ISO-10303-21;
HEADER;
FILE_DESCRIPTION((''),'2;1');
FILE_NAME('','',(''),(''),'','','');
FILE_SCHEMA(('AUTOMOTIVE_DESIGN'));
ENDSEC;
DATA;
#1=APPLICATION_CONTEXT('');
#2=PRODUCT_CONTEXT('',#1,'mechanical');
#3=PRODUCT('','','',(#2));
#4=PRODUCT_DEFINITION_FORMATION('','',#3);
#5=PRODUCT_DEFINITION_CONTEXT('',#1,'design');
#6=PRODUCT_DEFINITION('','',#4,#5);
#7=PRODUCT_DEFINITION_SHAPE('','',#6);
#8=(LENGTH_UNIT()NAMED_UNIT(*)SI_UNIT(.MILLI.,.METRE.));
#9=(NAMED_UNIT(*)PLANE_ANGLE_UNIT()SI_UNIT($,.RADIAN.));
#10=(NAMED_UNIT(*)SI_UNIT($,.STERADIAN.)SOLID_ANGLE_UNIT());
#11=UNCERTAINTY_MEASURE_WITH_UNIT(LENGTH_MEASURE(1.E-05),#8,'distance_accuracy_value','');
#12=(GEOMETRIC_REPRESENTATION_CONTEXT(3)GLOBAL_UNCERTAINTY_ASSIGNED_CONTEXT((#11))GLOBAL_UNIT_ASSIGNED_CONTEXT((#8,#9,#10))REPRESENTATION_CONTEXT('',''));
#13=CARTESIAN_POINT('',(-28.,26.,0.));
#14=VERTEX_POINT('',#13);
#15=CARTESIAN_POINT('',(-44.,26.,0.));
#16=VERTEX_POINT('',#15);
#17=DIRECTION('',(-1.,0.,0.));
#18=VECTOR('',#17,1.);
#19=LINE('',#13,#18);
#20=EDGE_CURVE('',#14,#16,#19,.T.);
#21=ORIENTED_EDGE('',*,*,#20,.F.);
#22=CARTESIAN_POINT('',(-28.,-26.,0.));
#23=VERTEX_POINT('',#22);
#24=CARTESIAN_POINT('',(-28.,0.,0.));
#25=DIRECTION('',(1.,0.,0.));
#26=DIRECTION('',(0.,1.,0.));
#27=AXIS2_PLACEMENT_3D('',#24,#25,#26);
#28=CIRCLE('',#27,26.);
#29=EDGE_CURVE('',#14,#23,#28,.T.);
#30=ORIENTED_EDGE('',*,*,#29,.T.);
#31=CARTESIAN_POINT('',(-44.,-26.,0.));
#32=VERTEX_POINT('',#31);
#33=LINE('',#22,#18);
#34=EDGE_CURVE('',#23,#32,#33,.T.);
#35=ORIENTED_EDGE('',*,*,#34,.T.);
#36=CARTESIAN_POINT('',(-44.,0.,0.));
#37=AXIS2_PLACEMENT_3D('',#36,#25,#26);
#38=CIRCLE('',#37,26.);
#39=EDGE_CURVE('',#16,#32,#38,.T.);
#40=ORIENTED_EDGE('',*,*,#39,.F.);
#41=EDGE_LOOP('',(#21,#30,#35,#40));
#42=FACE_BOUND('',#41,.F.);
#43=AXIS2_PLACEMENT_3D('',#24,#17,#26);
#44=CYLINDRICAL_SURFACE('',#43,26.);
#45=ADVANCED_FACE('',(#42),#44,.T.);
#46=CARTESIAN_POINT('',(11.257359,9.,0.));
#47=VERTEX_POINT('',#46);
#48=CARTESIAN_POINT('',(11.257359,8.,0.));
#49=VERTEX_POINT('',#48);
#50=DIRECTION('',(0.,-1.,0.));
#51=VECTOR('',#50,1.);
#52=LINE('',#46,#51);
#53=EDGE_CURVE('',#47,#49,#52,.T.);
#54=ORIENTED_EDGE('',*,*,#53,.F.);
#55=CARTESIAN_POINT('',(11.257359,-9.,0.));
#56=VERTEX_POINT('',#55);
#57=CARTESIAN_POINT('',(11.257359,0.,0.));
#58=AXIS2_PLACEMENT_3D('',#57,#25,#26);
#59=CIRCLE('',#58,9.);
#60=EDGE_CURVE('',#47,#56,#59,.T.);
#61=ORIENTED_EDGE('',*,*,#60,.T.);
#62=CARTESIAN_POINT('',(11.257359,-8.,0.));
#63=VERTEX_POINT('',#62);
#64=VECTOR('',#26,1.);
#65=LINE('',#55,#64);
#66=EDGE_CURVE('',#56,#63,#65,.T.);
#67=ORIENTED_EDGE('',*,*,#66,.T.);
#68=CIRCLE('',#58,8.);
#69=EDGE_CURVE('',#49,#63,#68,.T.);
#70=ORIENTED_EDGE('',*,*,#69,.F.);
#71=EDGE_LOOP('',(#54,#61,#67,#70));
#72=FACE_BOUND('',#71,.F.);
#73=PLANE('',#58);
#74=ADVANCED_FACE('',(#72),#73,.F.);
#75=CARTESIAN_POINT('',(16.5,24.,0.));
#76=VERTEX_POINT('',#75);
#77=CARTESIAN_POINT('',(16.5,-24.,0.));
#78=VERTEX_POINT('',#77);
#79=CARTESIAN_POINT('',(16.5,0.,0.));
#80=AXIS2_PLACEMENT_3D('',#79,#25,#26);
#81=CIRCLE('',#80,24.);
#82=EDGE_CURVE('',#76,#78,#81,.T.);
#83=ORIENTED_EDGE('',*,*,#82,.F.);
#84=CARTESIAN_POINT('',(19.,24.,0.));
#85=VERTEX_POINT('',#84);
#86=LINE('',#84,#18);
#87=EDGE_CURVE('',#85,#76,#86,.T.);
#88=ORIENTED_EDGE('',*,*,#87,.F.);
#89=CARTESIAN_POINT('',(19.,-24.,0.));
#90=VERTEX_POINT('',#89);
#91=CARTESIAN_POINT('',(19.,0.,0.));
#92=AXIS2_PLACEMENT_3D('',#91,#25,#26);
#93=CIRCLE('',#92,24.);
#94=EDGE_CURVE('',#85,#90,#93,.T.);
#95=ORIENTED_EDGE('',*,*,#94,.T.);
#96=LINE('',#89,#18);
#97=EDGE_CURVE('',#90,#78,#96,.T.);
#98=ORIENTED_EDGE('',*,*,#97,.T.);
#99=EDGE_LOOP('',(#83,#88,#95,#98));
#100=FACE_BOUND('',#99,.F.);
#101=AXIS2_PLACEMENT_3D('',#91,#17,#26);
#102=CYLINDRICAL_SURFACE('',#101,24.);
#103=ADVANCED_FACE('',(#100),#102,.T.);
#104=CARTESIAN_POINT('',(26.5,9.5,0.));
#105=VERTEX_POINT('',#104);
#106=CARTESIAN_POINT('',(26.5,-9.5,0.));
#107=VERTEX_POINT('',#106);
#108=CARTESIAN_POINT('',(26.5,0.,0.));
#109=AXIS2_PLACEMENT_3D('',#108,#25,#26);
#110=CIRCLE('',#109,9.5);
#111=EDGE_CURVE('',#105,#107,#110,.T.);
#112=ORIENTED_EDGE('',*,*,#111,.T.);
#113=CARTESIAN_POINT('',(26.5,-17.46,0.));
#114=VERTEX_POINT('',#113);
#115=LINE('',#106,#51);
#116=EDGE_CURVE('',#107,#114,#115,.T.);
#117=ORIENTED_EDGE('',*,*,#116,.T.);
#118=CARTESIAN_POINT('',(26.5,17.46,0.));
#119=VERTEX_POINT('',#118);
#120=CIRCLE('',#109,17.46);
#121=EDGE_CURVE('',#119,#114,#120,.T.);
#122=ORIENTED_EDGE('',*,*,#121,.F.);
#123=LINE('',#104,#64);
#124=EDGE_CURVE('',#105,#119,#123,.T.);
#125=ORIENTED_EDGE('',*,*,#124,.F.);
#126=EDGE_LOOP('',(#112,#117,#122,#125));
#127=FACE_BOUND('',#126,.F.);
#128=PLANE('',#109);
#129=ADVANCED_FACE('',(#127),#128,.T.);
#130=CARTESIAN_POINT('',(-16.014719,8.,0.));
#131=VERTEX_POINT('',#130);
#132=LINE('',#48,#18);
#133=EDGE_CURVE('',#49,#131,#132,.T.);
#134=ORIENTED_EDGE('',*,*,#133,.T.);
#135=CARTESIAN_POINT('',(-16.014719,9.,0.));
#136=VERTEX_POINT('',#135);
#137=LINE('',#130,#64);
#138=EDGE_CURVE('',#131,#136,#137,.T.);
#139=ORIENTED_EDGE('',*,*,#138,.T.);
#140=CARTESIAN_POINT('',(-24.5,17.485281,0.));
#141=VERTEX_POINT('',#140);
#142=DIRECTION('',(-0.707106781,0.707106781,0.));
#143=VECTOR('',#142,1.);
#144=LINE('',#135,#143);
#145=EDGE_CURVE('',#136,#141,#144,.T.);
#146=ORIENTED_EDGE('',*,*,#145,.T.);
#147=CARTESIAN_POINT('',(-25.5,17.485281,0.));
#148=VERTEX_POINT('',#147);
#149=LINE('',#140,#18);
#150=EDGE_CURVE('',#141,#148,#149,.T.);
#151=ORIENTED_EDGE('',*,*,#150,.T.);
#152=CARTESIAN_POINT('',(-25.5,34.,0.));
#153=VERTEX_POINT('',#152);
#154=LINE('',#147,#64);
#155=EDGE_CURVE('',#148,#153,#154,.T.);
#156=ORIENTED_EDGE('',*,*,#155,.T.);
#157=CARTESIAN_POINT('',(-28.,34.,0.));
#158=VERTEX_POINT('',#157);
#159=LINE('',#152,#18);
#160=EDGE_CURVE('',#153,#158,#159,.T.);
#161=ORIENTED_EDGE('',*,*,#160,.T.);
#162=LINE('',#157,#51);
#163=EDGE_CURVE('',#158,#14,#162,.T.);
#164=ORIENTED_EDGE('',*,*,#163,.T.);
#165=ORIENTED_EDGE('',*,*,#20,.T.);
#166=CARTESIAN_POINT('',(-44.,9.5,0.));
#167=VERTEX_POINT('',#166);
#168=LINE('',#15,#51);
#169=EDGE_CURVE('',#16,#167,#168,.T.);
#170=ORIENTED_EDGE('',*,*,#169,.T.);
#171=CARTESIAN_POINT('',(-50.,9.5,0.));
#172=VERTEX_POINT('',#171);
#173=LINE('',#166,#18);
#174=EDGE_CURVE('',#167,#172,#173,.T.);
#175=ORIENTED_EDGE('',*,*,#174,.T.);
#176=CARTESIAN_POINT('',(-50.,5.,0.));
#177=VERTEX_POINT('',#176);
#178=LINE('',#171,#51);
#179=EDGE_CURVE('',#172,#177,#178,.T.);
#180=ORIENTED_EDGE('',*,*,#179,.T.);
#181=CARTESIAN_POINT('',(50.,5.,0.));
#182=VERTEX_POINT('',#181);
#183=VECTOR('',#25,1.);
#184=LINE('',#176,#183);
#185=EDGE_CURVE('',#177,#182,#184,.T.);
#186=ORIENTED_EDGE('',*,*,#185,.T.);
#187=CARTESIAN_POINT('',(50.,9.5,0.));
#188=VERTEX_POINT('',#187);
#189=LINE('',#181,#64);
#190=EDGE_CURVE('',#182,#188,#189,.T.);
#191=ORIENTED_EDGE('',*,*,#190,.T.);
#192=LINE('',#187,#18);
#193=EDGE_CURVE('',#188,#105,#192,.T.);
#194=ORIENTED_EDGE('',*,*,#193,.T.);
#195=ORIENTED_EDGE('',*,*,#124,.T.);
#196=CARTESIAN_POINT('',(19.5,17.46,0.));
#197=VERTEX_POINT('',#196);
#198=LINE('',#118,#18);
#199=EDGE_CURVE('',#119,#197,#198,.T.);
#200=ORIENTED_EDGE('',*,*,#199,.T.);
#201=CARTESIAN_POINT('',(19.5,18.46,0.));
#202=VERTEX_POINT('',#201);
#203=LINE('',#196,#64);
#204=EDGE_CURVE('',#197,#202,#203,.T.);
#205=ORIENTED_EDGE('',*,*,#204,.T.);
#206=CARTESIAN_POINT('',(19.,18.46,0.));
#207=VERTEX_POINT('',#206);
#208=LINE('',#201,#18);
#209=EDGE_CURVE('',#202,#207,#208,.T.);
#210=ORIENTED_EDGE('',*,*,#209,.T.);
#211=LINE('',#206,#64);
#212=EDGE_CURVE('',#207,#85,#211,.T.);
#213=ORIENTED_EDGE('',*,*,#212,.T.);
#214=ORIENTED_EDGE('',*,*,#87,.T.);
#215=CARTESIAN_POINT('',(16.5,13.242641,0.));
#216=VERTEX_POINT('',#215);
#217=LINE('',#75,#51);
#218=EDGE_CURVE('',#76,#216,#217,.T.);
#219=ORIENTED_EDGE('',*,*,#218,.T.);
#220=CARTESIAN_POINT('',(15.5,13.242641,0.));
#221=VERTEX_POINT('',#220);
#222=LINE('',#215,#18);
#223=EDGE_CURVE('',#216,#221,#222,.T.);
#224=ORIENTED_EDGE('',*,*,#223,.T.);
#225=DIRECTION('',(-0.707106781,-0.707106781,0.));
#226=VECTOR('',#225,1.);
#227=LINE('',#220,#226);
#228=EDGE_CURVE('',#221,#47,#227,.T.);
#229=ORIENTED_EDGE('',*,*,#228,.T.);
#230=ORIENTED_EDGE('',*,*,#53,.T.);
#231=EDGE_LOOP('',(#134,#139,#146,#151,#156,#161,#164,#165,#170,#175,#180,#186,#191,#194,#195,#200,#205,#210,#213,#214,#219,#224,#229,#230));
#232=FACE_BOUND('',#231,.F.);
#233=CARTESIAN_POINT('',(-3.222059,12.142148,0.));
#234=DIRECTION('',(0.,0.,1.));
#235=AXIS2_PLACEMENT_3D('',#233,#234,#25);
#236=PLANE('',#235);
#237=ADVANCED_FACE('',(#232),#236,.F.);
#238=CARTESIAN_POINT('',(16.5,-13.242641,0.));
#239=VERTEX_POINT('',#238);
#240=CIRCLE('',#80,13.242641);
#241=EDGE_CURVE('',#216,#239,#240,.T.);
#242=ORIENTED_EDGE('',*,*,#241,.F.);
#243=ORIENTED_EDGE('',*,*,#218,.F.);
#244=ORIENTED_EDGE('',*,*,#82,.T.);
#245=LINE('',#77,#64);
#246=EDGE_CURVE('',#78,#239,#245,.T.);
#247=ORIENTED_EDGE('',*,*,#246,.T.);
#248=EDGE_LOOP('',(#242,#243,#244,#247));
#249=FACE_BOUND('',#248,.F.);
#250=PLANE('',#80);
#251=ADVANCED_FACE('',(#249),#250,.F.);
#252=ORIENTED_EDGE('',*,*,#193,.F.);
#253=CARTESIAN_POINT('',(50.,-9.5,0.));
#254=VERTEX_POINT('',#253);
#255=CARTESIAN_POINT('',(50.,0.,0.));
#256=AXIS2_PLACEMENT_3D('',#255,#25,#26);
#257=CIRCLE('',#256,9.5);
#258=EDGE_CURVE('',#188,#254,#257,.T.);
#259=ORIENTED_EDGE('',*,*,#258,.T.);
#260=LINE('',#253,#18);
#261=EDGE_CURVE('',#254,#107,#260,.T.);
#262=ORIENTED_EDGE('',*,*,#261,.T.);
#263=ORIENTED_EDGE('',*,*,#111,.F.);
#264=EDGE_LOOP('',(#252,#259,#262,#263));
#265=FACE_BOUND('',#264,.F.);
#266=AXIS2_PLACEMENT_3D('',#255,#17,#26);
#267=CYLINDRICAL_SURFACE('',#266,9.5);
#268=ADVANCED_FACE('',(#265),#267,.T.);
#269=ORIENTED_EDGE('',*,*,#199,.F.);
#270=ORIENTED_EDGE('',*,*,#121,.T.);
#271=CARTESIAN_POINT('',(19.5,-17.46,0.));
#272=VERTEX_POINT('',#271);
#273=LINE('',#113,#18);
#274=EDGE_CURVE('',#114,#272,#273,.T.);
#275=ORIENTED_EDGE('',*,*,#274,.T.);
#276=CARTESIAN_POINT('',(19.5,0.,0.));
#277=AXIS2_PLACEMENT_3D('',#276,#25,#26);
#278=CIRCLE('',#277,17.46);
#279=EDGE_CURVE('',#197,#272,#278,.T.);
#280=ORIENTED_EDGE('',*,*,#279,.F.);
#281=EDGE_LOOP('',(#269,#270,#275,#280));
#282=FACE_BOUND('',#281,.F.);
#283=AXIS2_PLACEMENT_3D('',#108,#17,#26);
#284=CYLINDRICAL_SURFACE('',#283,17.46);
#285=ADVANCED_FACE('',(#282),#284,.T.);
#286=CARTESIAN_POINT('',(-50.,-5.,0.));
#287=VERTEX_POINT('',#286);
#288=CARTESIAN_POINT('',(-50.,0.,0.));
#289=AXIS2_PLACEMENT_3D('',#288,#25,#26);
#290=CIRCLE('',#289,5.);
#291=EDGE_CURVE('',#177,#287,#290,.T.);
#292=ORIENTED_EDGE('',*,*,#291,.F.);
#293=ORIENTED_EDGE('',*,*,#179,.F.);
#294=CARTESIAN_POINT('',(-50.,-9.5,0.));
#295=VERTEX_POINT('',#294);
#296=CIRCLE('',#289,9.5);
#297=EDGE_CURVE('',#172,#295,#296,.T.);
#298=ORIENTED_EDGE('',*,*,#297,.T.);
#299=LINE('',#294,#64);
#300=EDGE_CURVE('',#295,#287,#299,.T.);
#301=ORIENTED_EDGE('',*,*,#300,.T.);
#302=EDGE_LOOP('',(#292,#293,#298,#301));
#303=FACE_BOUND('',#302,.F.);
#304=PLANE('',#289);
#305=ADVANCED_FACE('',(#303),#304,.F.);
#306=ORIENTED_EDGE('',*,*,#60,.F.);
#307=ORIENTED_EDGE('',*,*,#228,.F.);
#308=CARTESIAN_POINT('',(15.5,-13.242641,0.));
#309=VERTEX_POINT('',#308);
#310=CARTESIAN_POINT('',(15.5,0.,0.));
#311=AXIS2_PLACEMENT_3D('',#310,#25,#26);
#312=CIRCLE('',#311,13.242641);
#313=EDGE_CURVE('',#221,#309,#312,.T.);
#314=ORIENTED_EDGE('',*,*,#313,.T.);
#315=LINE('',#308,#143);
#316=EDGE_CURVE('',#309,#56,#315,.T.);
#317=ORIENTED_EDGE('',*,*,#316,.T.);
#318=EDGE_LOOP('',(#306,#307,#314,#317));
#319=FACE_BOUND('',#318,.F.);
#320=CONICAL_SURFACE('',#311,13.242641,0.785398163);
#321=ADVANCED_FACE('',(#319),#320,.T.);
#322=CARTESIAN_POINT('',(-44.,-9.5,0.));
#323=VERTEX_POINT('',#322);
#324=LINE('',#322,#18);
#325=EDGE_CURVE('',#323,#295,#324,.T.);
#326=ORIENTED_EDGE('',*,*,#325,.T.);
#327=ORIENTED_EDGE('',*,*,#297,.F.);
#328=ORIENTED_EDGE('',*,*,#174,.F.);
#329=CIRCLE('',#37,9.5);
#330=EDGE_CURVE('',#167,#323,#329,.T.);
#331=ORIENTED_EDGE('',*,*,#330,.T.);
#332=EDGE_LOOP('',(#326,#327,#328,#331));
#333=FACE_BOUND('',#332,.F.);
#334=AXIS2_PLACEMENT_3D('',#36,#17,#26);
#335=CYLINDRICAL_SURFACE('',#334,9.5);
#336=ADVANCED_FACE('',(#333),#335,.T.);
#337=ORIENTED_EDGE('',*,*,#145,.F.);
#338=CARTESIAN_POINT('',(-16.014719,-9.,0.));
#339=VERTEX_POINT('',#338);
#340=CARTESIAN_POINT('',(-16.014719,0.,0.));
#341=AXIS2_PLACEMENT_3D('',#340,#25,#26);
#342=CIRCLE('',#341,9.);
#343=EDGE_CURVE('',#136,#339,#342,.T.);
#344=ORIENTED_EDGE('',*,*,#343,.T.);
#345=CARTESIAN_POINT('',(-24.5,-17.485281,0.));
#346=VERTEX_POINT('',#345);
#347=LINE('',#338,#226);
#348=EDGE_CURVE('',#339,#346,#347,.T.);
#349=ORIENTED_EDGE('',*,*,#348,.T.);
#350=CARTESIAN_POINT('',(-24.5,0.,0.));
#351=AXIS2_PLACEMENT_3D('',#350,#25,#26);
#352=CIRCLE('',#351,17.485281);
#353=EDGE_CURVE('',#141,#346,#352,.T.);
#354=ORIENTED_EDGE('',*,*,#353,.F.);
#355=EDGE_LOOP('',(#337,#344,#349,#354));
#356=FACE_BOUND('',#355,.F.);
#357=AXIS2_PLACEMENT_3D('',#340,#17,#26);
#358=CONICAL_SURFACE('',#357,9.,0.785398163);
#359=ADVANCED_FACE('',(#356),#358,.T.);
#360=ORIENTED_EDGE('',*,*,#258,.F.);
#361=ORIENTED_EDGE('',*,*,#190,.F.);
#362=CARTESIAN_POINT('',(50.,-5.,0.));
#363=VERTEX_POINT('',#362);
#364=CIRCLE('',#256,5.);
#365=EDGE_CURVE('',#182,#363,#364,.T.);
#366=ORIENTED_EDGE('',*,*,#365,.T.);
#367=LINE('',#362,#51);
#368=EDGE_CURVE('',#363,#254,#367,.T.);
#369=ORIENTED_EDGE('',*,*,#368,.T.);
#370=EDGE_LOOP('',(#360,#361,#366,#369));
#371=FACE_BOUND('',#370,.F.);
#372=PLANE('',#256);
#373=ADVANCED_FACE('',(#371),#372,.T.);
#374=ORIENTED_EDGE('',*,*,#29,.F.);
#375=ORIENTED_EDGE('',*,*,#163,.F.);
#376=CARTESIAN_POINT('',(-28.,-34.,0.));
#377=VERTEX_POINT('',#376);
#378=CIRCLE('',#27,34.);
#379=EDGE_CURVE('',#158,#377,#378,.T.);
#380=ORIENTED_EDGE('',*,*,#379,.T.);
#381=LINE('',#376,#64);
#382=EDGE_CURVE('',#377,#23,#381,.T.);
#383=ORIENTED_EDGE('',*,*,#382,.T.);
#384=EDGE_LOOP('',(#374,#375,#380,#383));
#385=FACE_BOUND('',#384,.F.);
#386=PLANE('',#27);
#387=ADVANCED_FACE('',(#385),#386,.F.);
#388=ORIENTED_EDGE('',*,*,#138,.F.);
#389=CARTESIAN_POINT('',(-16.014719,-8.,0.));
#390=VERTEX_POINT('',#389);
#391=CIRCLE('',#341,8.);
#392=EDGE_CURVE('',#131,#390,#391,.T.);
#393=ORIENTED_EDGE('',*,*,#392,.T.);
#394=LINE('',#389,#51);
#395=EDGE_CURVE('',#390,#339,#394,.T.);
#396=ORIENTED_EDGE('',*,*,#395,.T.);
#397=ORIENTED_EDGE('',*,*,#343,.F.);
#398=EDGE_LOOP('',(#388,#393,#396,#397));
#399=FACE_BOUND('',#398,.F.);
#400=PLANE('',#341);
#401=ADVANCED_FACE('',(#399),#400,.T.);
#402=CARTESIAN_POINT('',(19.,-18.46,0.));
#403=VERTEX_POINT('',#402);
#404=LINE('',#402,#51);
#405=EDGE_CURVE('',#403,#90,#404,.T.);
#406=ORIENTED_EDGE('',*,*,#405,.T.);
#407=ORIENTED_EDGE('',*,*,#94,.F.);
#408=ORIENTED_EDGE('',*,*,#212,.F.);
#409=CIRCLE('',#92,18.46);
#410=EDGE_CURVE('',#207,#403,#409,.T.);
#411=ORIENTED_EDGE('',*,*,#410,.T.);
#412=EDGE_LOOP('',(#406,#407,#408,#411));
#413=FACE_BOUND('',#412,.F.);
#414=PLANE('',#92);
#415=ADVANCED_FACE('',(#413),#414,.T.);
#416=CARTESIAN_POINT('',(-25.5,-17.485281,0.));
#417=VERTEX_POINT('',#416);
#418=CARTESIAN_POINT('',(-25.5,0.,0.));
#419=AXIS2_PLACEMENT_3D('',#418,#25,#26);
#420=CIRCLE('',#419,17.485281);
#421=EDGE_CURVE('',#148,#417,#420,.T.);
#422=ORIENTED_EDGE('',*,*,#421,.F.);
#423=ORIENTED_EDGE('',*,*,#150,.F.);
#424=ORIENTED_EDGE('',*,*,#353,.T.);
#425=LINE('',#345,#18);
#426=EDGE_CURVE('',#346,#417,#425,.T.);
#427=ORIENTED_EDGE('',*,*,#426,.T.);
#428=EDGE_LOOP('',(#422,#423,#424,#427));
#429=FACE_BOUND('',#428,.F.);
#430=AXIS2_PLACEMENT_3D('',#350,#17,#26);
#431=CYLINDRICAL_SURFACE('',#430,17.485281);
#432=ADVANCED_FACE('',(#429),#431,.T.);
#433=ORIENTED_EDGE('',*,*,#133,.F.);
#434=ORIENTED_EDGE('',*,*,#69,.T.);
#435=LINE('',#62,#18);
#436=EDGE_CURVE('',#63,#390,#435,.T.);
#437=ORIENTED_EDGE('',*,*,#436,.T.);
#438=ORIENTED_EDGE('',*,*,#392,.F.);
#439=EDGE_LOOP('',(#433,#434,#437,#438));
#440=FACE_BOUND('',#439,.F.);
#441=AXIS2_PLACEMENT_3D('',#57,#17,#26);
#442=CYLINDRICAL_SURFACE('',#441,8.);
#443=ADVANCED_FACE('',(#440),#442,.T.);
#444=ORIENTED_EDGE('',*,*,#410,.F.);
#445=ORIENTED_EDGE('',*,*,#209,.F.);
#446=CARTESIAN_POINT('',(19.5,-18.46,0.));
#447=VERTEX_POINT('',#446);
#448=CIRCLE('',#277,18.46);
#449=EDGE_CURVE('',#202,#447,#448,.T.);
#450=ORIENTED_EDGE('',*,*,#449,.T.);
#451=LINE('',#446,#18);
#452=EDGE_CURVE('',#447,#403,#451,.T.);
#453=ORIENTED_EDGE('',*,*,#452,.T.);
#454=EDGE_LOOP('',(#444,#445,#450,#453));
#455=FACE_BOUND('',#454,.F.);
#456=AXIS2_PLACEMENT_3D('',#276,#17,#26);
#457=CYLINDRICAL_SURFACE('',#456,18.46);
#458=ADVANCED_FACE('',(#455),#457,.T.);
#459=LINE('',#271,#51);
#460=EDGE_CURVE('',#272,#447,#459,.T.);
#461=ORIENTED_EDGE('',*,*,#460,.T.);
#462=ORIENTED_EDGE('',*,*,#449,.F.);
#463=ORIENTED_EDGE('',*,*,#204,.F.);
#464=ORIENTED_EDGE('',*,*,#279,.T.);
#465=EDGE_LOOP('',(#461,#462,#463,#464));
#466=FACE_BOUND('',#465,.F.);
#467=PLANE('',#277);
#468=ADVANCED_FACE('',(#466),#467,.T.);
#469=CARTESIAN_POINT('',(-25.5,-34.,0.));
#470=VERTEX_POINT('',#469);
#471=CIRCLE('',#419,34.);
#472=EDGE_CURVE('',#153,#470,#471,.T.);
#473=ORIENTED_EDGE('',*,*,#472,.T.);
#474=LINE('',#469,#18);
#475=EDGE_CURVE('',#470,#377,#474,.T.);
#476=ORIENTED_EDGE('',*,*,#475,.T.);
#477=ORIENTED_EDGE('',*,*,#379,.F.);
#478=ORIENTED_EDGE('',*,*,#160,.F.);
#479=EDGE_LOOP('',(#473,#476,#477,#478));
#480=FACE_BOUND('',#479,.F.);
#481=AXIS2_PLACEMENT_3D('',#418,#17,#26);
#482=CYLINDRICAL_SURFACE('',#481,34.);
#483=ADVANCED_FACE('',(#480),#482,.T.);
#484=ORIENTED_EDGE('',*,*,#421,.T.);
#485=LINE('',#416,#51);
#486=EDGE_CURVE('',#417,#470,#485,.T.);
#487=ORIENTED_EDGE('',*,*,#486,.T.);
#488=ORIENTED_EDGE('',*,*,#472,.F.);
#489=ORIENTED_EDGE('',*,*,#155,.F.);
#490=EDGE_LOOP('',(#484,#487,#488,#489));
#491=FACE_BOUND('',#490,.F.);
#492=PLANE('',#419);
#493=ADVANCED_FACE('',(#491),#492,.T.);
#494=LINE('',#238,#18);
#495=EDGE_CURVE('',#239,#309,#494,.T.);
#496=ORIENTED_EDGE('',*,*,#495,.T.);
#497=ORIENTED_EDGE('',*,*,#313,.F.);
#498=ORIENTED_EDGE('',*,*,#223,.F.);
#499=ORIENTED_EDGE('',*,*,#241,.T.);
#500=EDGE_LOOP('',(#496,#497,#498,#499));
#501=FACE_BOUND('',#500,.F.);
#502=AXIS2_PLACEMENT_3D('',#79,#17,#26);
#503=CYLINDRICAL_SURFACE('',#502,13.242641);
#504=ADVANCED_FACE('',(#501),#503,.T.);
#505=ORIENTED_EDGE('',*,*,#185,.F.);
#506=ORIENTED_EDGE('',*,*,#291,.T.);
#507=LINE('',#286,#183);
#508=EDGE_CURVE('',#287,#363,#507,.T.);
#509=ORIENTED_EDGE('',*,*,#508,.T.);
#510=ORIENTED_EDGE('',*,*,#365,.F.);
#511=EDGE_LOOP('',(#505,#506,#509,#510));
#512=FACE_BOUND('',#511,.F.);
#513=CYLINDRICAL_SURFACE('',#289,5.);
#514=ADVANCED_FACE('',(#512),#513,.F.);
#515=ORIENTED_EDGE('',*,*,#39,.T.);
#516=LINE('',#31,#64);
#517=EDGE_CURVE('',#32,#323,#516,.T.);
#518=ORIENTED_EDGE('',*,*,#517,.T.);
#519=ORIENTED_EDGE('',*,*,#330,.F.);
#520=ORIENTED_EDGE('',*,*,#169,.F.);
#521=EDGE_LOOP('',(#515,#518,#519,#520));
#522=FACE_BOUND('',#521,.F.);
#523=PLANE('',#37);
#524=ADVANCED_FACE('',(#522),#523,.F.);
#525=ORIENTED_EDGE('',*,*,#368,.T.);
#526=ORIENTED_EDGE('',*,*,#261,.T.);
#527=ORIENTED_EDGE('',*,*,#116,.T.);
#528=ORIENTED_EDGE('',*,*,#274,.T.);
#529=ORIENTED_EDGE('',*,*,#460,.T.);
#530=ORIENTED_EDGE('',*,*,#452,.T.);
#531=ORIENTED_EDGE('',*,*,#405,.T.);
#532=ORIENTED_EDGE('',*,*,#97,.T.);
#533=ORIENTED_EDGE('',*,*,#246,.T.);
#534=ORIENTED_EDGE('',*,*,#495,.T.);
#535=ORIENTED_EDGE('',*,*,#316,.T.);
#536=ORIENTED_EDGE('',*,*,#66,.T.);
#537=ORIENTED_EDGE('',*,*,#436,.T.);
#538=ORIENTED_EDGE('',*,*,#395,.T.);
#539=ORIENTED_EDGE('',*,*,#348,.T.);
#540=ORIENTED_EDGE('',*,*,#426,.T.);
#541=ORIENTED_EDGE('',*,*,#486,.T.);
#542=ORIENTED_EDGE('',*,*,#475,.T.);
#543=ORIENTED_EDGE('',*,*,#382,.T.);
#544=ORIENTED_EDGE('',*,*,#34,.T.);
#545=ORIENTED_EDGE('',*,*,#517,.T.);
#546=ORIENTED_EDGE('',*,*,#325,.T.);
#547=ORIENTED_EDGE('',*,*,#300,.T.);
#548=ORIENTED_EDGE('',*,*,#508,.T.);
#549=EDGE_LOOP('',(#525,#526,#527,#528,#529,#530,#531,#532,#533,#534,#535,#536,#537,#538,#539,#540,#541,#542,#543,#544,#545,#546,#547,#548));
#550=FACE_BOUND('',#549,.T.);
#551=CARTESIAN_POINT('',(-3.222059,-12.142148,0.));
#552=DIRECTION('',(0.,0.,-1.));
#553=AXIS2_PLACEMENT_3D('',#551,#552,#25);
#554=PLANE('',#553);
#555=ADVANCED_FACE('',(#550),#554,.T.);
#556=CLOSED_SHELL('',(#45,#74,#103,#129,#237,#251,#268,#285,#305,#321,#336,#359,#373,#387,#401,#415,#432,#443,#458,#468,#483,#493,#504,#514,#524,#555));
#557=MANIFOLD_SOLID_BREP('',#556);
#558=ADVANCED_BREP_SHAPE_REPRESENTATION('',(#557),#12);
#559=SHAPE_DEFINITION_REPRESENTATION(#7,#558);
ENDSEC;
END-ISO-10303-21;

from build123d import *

# Parameters (mm, degrees)
REVOLUTION_ANGLE = 180


with BuildPart() as part:
    # Sketch → Revolution (revolve)
    with BuildSketch(Plane.XY):
        Polygon((26.5, 9.5), (26.5, 17.46), (19.5, 17.46), (19.5, 18.46), (19, 18.46), (19, 24), (16.5, 24), (16.5, 13.242641), (15.5, 13.242641), (11.257359, 9), (11.257359, 8), (-16.014719, 8), (-16.014719, 9), (-24.5, 17.485281), (-25.5, 17.485281), (-25.5, 34), (-28, 34), (-28, 26), (-44, 26), (-44, 9.5), (-50, 9.5), (-50, 5), (50, 5), (50, 9.5), align=None)
    revolve(axis=Axis((0, 0, 0), (1, 0, 0)), revolution_arc=REVOLUTION_ANGLE)


solid = part.part
